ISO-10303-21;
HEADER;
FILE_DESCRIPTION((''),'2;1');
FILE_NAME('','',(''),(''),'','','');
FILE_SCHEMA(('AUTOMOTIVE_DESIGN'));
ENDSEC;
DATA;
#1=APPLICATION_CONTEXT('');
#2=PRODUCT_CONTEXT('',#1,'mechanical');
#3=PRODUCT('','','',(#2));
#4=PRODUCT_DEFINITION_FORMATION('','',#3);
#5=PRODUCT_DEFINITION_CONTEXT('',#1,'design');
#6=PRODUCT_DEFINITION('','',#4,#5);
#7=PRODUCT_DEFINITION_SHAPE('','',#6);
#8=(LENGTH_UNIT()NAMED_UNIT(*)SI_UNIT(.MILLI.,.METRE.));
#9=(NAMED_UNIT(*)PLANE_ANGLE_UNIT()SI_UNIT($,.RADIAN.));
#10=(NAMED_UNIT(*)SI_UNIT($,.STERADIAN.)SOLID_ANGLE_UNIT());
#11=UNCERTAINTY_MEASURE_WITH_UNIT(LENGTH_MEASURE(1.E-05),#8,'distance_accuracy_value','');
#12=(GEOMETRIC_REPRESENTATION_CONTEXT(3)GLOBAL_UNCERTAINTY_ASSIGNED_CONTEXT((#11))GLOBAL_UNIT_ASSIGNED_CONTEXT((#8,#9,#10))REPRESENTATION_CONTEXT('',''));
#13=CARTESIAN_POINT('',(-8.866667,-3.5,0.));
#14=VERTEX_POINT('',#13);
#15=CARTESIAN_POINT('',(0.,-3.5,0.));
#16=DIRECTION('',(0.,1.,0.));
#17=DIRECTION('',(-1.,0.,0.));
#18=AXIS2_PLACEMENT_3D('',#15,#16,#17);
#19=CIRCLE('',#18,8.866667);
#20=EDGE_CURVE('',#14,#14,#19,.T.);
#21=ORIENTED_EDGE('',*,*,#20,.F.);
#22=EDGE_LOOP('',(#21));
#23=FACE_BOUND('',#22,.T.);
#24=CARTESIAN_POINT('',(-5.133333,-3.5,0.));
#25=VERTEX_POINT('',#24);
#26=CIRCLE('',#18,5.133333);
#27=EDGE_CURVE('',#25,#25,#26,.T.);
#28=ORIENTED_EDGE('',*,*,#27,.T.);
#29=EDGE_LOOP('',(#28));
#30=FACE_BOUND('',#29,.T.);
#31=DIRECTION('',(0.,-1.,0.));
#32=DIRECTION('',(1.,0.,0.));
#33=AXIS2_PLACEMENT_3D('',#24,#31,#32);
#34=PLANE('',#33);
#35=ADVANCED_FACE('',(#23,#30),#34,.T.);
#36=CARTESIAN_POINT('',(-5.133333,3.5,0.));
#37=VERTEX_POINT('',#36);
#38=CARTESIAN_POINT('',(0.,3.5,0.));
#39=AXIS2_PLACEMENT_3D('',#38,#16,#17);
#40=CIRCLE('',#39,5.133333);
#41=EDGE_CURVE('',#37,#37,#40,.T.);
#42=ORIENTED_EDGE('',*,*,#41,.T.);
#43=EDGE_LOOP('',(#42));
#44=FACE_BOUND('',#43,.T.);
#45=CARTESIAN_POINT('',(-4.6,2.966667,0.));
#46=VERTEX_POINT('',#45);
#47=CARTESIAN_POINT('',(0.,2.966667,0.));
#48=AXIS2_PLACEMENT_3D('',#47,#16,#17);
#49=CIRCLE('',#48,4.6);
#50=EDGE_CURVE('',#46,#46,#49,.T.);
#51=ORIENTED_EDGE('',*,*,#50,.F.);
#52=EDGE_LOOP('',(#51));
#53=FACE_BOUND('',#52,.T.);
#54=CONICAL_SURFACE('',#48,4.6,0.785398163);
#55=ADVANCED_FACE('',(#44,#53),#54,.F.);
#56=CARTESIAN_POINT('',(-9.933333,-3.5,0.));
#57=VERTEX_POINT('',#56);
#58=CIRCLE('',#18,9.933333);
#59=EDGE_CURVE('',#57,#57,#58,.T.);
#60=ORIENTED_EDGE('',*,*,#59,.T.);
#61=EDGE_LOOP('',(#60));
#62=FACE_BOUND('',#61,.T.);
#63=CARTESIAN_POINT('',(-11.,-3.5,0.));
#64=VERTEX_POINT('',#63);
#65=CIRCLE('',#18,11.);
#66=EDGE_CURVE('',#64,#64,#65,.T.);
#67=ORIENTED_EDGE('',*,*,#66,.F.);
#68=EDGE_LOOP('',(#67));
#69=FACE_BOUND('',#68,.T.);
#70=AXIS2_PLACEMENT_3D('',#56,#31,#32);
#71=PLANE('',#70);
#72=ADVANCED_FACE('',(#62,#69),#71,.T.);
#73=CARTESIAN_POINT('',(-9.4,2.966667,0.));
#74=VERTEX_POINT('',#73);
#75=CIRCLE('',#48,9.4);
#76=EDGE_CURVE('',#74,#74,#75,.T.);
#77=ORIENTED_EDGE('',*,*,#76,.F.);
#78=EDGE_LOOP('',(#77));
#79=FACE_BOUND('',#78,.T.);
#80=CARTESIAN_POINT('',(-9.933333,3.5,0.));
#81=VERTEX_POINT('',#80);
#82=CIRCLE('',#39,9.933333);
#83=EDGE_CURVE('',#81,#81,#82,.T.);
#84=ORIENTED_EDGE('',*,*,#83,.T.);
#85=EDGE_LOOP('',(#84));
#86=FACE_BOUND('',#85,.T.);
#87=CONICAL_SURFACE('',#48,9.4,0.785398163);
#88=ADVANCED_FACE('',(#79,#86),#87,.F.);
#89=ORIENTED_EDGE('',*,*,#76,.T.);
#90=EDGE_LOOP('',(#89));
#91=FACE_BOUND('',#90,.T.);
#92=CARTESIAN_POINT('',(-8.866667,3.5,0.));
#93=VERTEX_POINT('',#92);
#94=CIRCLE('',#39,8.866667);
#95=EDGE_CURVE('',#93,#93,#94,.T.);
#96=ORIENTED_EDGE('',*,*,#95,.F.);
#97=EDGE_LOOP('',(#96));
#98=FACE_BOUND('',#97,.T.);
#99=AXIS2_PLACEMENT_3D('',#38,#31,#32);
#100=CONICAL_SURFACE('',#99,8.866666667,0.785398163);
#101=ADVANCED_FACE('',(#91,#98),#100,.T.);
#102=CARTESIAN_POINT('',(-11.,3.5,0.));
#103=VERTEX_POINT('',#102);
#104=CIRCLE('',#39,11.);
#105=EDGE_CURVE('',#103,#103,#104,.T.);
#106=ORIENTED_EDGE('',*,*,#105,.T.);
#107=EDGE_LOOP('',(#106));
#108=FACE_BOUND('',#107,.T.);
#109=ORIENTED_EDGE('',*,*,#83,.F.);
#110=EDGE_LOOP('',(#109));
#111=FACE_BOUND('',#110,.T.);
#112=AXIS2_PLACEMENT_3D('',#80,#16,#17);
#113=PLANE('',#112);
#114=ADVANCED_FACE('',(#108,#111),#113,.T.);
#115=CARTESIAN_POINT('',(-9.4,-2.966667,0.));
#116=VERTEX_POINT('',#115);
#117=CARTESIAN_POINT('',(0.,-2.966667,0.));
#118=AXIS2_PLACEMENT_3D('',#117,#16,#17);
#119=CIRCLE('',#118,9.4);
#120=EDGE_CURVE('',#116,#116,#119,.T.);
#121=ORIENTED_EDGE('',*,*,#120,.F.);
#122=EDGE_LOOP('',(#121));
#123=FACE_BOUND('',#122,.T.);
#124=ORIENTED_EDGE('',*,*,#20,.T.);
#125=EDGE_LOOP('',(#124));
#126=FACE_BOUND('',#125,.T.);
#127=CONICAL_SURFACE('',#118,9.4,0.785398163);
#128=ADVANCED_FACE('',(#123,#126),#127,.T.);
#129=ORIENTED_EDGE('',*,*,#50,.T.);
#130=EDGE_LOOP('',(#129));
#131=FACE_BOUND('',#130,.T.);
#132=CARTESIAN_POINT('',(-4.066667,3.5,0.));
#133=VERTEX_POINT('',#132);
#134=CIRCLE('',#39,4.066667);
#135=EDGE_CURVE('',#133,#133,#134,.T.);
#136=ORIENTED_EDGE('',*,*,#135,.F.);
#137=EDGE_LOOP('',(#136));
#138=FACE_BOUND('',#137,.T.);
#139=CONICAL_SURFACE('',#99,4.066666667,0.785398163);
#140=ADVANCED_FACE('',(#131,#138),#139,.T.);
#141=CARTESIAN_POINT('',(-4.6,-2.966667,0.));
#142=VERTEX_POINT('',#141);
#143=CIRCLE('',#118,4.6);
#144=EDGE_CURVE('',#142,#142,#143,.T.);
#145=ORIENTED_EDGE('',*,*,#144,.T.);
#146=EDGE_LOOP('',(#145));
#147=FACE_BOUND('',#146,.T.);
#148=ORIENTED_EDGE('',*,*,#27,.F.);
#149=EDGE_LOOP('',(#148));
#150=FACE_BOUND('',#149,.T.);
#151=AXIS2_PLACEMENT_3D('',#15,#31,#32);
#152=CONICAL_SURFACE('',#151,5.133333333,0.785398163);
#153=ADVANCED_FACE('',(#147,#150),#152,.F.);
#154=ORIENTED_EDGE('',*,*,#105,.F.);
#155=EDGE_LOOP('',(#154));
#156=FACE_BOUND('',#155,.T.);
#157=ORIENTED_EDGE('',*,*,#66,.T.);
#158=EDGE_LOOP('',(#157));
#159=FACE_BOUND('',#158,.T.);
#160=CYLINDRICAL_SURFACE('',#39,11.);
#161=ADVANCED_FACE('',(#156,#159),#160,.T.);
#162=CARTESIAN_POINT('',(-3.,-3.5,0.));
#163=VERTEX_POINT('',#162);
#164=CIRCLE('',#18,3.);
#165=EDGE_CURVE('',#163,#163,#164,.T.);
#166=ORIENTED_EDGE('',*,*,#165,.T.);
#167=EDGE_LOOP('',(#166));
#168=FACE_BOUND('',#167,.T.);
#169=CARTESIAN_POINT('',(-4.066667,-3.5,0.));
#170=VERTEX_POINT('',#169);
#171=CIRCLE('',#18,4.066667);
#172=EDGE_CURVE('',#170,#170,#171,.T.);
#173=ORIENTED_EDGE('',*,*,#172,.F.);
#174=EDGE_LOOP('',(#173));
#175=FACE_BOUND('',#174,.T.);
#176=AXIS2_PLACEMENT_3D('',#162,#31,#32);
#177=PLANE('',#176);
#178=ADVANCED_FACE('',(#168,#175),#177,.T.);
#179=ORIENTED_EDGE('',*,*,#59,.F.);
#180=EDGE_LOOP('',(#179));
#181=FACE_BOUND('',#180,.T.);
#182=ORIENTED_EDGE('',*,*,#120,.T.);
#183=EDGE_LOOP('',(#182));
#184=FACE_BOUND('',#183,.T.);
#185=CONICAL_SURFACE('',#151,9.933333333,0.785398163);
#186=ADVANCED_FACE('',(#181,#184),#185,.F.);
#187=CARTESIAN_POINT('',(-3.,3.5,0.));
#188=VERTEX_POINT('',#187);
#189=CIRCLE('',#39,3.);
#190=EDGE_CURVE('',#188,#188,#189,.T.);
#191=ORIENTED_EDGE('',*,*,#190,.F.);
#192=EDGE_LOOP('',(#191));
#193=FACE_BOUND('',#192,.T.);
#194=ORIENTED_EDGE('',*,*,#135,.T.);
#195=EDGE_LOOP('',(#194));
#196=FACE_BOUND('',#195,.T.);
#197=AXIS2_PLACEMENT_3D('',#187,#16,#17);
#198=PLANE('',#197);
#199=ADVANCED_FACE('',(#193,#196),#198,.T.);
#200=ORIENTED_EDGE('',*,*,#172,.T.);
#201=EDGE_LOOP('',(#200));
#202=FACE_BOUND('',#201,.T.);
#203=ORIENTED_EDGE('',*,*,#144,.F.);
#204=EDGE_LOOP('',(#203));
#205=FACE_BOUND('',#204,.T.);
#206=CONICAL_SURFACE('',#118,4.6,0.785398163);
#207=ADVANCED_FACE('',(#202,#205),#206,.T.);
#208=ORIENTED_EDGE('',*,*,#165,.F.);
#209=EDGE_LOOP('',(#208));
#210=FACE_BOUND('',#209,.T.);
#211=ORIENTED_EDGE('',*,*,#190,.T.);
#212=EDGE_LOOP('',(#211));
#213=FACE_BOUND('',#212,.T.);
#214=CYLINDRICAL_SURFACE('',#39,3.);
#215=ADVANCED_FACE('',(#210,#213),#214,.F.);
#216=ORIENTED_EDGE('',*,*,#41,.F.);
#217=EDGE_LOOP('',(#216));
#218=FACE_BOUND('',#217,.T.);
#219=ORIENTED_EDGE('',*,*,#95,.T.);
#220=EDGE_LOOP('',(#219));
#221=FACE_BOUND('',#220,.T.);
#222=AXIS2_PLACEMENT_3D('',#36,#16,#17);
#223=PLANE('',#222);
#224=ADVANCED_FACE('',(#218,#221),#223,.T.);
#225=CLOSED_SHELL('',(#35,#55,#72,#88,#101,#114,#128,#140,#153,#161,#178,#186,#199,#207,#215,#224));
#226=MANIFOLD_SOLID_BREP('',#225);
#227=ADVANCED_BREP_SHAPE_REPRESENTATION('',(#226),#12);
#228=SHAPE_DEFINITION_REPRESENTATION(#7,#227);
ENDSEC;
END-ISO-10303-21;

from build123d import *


with BuildPart() as part:
    # Sketch1 → Revolve1 (revolve)
    with BuildSketch(Plane.XY):
        Polygon((-3, 3.5), (-4.066666667, 3.5), (-4.6, 2.966666667), (-5.133333333, 3.5), (-8.866666667, 3.5), (-9.4, 2.966666667), (-9.933333333, 3.5), (-11, 3.5), (-11, -3.5), (-9.933333333, -3.5), (-9.4, -2.966666667), (-8.866666667, -3.5), (-5.133333333, -3.5), (-4.6, -2.966666667), (-4.066666667, -3.5), (-3, -3.5), align=None)
    revolve(axis=Axis((0, 3.5, 0), (0, -1, 0)))


solid = part.part
